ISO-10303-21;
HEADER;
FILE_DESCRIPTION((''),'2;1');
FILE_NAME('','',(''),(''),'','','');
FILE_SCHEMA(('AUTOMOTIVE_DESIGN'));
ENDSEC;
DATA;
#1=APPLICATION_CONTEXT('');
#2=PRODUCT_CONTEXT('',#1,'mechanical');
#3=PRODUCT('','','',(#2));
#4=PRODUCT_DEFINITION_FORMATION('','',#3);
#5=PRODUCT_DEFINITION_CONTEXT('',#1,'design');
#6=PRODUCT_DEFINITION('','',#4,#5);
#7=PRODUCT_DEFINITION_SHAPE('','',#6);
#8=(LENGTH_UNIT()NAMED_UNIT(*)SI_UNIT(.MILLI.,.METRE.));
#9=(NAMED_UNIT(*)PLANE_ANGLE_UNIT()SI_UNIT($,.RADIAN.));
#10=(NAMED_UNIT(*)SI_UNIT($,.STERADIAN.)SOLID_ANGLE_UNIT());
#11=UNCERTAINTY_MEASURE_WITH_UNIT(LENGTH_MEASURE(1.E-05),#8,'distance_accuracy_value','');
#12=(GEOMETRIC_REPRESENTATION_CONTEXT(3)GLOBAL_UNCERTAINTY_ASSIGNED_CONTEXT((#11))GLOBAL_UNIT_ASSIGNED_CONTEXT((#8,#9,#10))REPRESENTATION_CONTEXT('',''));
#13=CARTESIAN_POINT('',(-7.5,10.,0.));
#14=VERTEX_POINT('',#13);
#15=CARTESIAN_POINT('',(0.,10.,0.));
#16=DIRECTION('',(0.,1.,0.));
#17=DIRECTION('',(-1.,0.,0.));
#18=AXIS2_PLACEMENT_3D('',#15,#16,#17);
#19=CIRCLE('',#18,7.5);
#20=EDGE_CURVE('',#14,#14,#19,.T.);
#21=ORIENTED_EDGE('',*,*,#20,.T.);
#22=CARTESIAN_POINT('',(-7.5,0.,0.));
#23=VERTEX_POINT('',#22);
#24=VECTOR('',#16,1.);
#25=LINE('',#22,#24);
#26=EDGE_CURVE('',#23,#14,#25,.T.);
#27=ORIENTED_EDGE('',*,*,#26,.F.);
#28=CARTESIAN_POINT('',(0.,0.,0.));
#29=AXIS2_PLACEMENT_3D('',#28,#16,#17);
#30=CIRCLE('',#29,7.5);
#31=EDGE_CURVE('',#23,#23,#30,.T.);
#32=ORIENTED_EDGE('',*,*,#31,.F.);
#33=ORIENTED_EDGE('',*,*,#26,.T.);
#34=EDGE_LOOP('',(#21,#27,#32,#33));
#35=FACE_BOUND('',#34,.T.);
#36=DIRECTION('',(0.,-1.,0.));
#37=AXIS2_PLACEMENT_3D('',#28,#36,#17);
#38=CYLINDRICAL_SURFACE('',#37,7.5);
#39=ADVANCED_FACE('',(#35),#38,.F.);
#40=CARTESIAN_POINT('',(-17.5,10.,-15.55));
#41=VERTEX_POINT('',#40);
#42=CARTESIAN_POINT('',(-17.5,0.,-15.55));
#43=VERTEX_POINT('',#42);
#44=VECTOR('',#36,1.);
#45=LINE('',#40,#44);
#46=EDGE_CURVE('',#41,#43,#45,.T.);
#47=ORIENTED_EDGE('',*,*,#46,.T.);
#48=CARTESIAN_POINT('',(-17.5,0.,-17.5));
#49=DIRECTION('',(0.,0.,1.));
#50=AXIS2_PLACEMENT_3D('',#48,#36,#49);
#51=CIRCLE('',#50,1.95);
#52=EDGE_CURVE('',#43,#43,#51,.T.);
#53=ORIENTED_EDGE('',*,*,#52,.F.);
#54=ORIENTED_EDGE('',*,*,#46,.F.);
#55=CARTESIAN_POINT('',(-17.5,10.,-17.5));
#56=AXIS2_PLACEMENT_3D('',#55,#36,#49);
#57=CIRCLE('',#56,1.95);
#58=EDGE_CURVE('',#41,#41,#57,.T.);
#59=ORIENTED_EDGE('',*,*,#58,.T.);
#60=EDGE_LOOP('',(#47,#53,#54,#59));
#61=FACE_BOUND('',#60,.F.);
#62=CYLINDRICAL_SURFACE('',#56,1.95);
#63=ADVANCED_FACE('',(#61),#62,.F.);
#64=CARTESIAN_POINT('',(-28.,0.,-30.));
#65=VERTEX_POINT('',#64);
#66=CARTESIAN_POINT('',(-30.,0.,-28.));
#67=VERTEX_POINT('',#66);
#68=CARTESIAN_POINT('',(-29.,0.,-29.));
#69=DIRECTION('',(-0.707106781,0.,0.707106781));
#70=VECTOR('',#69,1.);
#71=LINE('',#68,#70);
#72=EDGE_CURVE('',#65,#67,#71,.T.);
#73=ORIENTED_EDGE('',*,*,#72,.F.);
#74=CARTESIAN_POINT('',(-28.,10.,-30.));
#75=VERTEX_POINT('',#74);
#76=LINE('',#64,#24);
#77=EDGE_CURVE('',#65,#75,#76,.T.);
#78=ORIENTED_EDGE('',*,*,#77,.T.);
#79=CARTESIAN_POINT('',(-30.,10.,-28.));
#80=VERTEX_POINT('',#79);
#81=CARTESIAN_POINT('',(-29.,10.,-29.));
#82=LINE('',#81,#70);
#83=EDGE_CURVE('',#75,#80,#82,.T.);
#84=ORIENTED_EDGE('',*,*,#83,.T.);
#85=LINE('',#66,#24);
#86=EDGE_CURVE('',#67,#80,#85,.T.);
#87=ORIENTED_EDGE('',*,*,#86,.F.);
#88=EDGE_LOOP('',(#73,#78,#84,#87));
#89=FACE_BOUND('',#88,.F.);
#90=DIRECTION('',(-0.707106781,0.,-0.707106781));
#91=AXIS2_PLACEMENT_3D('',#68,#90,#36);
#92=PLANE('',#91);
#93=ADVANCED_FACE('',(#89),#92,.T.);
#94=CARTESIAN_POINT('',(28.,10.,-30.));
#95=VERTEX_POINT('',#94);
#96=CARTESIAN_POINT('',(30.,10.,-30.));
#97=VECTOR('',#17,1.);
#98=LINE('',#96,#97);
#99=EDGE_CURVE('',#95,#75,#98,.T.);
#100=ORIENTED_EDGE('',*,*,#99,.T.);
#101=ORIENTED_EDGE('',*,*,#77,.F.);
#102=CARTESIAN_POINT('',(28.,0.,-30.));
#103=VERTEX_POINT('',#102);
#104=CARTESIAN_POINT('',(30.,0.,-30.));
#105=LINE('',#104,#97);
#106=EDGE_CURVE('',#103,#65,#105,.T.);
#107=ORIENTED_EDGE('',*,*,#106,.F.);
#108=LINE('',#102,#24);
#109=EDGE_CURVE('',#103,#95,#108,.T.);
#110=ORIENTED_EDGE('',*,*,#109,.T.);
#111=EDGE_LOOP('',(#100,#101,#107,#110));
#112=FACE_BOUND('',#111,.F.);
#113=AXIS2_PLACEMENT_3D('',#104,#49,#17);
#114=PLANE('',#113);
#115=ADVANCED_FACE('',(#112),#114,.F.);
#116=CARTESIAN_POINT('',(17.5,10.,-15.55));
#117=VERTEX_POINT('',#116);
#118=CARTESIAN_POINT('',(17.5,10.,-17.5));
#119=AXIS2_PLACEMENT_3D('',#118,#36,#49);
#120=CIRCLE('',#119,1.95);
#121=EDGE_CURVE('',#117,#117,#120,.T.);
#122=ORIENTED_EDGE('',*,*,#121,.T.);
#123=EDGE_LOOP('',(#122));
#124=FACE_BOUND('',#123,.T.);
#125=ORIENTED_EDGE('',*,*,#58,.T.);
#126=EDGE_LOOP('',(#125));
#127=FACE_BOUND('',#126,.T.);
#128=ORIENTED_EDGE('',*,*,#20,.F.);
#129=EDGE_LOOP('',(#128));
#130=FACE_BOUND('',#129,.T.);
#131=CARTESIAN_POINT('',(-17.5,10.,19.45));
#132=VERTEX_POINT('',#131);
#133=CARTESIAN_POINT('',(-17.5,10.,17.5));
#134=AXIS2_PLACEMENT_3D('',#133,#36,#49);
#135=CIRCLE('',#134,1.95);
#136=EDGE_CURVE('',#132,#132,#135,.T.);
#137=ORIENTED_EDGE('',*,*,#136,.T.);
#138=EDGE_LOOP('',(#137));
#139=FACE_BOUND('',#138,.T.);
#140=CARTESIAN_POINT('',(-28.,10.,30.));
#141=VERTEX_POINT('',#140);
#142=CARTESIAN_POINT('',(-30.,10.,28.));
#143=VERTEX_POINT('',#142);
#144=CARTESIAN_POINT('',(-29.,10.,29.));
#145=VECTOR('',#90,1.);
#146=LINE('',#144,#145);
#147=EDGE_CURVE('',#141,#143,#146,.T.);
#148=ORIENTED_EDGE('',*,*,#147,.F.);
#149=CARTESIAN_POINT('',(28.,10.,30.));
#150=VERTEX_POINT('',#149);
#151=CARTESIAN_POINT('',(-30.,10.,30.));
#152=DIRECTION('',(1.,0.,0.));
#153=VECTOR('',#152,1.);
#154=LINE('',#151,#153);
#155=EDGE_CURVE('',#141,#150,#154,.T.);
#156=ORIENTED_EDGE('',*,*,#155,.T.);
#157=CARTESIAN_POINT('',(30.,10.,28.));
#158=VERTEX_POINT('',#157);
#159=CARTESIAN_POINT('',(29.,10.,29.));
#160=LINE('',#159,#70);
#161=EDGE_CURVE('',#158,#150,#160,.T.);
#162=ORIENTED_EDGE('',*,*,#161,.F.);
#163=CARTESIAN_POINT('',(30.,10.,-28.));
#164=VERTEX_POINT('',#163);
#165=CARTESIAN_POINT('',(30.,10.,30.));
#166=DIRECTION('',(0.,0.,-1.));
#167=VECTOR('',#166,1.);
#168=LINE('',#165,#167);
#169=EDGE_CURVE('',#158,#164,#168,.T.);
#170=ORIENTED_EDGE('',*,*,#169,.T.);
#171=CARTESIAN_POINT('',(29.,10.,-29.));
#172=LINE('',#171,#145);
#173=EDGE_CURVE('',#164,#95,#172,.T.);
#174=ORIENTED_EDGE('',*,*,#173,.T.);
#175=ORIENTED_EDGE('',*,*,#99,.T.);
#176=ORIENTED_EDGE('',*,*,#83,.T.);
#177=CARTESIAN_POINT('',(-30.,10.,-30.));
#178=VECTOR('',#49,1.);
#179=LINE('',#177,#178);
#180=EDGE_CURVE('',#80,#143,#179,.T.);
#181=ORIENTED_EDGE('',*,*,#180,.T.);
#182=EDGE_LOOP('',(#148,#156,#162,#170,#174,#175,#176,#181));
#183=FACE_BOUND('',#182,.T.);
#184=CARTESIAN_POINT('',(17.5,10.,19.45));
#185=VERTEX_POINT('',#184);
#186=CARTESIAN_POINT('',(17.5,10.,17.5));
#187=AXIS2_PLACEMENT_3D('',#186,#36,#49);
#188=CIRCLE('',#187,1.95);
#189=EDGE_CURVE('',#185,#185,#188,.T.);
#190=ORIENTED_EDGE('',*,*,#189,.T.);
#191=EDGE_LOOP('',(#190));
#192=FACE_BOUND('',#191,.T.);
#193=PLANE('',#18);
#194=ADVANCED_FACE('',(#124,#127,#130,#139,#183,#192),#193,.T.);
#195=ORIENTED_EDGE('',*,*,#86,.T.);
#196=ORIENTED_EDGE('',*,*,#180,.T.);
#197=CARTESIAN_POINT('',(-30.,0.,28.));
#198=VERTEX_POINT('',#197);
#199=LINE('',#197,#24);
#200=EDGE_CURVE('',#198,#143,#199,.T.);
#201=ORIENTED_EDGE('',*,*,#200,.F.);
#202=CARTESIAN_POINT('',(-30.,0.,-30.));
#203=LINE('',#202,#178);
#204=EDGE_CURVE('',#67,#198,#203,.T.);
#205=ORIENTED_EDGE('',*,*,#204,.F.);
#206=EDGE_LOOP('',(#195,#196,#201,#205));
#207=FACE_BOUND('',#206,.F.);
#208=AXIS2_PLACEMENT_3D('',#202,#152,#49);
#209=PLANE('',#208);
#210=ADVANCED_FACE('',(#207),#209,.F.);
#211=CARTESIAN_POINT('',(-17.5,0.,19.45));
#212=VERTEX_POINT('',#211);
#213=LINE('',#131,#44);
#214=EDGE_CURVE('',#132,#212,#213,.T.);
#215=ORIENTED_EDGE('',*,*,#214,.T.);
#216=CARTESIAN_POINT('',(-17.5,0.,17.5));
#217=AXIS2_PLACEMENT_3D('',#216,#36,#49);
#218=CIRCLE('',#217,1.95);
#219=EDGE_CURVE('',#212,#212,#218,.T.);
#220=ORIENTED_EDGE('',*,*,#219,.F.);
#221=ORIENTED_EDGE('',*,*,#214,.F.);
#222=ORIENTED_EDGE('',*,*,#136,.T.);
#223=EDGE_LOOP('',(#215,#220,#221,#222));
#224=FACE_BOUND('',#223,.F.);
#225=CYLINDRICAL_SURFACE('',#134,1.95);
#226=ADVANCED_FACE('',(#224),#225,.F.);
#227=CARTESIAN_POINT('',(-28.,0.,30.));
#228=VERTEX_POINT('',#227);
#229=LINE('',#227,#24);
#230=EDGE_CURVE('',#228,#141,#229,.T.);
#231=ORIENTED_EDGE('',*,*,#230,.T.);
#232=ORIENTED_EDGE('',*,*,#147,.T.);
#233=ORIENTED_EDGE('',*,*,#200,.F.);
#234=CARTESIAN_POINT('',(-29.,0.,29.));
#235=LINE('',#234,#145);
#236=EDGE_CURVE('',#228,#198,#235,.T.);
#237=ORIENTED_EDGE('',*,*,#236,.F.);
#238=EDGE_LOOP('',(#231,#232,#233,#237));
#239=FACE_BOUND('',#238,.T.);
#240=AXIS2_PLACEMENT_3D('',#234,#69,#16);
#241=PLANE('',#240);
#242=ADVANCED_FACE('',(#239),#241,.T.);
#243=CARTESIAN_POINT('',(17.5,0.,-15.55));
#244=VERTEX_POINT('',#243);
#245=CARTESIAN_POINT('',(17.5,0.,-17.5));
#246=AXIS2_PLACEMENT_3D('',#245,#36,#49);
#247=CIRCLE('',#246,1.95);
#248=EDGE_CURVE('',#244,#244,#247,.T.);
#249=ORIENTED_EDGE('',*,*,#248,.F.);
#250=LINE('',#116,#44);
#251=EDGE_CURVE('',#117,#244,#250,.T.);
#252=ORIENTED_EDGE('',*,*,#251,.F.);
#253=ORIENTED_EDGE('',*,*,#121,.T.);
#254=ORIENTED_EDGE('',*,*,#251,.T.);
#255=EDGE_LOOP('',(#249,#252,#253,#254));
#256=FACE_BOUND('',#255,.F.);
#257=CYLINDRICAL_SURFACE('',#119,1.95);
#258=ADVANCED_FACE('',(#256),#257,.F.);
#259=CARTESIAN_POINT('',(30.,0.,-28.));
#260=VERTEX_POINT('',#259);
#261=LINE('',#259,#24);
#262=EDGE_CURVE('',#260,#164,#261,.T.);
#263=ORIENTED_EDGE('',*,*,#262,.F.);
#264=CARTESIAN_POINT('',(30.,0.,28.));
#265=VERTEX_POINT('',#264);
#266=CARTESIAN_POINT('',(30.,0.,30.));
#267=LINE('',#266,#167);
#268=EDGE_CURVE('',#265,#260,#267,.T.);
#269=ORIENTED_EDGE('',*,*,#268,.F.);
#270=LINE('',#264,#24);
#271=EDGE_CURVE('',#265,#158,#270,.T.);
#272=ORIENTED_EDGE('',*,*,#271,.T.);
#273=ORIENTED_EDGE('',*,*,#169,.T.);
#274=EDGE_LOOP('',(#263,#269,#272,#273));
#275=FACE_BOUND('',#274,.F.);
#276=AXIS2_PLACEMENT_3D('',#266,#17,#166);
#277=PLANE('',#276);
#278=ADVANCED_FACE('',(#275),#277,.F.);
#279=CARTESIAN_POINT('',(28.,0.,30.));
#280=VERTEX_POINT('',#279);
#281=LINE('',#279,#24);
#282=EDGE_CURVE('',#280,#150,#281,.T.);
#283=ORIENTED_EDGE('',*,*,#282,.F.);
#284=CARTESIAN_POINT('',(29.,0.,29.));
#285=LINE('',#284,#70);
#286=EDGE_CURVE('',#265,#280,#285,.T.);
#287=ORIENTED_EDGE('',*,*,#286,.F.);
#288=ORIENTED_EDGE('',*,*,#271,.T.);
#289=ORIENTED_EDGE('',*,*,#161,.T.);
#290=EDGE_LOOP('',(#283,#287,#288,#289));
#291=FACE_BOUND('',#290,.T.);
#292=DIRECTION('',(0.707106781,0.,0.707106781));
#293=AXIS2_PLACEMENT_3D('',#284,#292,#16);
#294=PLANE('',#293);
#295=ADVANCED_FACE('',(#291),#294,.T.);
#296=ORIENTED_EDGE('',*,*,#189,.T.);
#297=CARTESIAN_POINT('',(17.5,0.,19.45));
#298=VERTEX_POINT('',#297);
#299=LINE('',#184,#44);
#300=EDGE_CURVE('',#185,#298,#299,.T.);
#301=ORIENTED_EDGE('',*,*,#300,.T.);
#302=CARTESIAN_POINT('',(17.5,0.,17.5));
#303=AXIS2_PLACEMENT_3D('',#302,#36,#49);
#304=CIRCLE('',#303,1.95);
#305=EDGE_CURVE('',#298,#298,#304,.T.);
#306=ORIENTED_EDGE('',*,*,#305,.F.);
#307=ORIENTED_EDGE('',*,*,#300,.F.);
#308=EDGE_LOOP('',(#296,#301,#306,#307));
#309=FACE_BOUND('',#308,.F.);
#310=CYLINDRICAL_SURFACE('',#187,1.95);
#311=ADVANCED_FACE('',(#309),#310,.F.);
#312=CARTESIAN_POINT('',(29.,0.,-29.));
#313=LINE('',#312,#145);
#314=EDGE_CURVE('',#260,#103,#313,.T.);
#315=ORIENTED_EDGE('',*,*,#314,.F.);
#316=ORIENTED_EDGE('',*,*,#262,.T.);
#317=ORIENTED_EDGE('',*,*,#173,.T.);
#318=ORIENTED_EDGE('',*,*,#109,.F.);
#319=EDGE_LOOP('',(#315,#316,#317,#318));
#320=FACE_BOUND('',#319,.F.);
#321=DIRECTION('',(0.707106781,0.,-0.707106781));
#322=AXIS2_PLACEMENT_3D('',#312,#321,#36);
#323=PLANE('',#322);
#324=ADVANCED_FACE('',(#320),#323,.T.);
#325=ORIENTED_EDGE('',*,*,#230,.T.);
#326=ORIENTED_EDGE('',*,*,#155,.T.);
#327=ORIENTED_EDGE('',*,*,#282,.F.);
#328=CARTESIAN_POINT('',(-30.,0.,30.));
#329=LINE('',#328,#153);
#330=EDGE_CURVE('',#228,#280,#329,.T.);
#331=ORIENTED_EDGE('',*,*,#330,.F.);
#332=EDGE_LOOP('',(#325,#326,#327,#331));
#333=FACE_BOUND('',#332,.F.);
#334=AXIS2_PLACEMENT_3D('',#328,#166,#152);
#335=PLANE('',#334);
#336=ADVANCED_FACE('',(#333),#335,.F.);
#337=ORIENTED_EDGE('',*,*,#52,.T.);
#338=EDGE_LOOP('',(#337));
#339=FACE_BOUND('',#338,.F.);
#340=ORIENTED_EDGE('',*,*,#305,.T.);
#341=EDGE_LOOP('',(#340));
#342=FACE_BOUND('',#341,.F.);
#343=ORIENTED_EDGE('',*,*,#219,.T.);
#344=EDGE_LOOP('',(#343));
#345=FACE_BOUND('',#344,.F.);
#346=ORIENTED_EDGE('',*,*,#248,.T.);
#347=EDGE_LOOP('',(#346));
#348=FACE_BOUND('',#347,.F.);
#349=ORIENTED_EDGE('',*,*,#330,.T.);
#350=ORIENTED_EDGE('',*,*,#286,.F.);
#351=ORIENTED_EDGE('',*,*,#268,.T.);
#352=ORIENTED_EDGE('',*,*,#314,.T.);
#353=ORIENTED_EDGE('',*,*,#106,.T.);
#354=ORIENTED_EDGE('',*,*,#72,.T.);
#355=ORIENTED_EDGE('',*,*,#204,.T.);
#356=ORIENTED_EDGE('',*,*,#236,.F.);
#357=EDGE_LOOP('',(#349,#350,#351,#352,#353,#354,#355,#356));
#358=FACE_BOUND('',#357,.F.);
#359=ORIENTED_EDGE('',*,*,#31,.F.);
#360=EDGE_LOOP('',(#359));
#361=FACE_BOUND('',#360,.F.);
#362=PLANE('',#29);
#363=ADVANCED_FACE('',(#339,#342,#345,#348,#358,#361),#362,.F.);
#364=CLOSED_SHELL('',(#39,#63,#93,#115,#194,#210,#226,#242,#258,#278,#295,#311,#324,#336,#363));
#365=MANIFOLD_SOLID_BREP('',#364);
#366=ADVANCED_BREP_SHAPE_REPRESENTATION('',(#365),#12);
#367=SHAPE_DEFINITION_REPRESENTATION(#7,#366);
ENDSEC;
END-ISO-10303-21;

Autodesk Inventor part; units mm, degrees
ref_plane "YZ Plane" through (0, 0, 0) normal (1, 0, 0) x (0, 1, 0)
ref_plane "XZ Plane" through (0, 0, 0) normal (0, 1, 0) x (-1, 0, 0)
ref_plane "XY Plane" through (0, 0, 0) normal (0, 0, 1) x (1, 0, 0)
sketch "Sketch1" plane through (0, 0, 0) normal (0, 1, 0) x (-1, 0, 0)
  line L0 (-30, -30) -> (30, -30)
  line L1 (30, -30) -> (30, 30)
  line L2 (30, 30) -> (-30, 30)
  line L3 (-30, 30) -> (-30, -30)
  line L4 (-30, -30) -> (30, 30) construction
  line L5 (30, -30) -> (-30, 30) construction
  circle A0 centre (0, 0) radius 7.5
  dimension "d0" = 60
  dimension "d1" = 60
  dimension "d13" = 15
extrude "Extrusion1" add sketch "Sketch1" along normal blind 10
sketch "Sketch2" plane through (0, 10, 0) normal (0, 1, 0) x (1, 0, 0)
  line L0 (30, 30) -> (-30, 30) projected
  line L1 (-30, 30) -> (-30, -30) projected
  line L2 (-30, -30) -> (30, -30) projected
  line L3 (30, -30) -> (30, 30) projected
  line L4 (17.5, -17.5) -> (-17.5, -17.5)
  line L5 (-17.5, -17.5) -> (-17.5, 17.5)
  line L6 (-17.5, 17.5) -> (17.5, 17.5)
  line L7 (17.5, 17.5) -> (17.5, -17.5)
  line L8 (17.5, -17.5) -> (-17.5, 17.5) construction
  line L9 (-17.5, -17.5) -> (17.5, 17.5) construction
  line L10 (0, -17.5) -> (0, 17.5)
  line L11 (-17.5, 0) -> (17.5, 0)
  point P0 (0, 0)
  dimension "d4" = 35
  dimension "d5" = 35
hole "Hole1" at (-17.5, 10, 17.5) at (-17.5, 10, -17.5) at (17.5, 10, -17.5) at (17.5, 10, 17.5) direction (0, -1, 0) diameter 3.9 depth 10 tip angle 118
chamfer "Chamfer1" distance 2 angle 45 4 edges at (30, 5, 30) (30, 5, -30) (-30, 5, -30) (-30, 5, 30)
properties part number "00_XY_stage-CHUO_SEIKI_LD-647-R1-Top"
